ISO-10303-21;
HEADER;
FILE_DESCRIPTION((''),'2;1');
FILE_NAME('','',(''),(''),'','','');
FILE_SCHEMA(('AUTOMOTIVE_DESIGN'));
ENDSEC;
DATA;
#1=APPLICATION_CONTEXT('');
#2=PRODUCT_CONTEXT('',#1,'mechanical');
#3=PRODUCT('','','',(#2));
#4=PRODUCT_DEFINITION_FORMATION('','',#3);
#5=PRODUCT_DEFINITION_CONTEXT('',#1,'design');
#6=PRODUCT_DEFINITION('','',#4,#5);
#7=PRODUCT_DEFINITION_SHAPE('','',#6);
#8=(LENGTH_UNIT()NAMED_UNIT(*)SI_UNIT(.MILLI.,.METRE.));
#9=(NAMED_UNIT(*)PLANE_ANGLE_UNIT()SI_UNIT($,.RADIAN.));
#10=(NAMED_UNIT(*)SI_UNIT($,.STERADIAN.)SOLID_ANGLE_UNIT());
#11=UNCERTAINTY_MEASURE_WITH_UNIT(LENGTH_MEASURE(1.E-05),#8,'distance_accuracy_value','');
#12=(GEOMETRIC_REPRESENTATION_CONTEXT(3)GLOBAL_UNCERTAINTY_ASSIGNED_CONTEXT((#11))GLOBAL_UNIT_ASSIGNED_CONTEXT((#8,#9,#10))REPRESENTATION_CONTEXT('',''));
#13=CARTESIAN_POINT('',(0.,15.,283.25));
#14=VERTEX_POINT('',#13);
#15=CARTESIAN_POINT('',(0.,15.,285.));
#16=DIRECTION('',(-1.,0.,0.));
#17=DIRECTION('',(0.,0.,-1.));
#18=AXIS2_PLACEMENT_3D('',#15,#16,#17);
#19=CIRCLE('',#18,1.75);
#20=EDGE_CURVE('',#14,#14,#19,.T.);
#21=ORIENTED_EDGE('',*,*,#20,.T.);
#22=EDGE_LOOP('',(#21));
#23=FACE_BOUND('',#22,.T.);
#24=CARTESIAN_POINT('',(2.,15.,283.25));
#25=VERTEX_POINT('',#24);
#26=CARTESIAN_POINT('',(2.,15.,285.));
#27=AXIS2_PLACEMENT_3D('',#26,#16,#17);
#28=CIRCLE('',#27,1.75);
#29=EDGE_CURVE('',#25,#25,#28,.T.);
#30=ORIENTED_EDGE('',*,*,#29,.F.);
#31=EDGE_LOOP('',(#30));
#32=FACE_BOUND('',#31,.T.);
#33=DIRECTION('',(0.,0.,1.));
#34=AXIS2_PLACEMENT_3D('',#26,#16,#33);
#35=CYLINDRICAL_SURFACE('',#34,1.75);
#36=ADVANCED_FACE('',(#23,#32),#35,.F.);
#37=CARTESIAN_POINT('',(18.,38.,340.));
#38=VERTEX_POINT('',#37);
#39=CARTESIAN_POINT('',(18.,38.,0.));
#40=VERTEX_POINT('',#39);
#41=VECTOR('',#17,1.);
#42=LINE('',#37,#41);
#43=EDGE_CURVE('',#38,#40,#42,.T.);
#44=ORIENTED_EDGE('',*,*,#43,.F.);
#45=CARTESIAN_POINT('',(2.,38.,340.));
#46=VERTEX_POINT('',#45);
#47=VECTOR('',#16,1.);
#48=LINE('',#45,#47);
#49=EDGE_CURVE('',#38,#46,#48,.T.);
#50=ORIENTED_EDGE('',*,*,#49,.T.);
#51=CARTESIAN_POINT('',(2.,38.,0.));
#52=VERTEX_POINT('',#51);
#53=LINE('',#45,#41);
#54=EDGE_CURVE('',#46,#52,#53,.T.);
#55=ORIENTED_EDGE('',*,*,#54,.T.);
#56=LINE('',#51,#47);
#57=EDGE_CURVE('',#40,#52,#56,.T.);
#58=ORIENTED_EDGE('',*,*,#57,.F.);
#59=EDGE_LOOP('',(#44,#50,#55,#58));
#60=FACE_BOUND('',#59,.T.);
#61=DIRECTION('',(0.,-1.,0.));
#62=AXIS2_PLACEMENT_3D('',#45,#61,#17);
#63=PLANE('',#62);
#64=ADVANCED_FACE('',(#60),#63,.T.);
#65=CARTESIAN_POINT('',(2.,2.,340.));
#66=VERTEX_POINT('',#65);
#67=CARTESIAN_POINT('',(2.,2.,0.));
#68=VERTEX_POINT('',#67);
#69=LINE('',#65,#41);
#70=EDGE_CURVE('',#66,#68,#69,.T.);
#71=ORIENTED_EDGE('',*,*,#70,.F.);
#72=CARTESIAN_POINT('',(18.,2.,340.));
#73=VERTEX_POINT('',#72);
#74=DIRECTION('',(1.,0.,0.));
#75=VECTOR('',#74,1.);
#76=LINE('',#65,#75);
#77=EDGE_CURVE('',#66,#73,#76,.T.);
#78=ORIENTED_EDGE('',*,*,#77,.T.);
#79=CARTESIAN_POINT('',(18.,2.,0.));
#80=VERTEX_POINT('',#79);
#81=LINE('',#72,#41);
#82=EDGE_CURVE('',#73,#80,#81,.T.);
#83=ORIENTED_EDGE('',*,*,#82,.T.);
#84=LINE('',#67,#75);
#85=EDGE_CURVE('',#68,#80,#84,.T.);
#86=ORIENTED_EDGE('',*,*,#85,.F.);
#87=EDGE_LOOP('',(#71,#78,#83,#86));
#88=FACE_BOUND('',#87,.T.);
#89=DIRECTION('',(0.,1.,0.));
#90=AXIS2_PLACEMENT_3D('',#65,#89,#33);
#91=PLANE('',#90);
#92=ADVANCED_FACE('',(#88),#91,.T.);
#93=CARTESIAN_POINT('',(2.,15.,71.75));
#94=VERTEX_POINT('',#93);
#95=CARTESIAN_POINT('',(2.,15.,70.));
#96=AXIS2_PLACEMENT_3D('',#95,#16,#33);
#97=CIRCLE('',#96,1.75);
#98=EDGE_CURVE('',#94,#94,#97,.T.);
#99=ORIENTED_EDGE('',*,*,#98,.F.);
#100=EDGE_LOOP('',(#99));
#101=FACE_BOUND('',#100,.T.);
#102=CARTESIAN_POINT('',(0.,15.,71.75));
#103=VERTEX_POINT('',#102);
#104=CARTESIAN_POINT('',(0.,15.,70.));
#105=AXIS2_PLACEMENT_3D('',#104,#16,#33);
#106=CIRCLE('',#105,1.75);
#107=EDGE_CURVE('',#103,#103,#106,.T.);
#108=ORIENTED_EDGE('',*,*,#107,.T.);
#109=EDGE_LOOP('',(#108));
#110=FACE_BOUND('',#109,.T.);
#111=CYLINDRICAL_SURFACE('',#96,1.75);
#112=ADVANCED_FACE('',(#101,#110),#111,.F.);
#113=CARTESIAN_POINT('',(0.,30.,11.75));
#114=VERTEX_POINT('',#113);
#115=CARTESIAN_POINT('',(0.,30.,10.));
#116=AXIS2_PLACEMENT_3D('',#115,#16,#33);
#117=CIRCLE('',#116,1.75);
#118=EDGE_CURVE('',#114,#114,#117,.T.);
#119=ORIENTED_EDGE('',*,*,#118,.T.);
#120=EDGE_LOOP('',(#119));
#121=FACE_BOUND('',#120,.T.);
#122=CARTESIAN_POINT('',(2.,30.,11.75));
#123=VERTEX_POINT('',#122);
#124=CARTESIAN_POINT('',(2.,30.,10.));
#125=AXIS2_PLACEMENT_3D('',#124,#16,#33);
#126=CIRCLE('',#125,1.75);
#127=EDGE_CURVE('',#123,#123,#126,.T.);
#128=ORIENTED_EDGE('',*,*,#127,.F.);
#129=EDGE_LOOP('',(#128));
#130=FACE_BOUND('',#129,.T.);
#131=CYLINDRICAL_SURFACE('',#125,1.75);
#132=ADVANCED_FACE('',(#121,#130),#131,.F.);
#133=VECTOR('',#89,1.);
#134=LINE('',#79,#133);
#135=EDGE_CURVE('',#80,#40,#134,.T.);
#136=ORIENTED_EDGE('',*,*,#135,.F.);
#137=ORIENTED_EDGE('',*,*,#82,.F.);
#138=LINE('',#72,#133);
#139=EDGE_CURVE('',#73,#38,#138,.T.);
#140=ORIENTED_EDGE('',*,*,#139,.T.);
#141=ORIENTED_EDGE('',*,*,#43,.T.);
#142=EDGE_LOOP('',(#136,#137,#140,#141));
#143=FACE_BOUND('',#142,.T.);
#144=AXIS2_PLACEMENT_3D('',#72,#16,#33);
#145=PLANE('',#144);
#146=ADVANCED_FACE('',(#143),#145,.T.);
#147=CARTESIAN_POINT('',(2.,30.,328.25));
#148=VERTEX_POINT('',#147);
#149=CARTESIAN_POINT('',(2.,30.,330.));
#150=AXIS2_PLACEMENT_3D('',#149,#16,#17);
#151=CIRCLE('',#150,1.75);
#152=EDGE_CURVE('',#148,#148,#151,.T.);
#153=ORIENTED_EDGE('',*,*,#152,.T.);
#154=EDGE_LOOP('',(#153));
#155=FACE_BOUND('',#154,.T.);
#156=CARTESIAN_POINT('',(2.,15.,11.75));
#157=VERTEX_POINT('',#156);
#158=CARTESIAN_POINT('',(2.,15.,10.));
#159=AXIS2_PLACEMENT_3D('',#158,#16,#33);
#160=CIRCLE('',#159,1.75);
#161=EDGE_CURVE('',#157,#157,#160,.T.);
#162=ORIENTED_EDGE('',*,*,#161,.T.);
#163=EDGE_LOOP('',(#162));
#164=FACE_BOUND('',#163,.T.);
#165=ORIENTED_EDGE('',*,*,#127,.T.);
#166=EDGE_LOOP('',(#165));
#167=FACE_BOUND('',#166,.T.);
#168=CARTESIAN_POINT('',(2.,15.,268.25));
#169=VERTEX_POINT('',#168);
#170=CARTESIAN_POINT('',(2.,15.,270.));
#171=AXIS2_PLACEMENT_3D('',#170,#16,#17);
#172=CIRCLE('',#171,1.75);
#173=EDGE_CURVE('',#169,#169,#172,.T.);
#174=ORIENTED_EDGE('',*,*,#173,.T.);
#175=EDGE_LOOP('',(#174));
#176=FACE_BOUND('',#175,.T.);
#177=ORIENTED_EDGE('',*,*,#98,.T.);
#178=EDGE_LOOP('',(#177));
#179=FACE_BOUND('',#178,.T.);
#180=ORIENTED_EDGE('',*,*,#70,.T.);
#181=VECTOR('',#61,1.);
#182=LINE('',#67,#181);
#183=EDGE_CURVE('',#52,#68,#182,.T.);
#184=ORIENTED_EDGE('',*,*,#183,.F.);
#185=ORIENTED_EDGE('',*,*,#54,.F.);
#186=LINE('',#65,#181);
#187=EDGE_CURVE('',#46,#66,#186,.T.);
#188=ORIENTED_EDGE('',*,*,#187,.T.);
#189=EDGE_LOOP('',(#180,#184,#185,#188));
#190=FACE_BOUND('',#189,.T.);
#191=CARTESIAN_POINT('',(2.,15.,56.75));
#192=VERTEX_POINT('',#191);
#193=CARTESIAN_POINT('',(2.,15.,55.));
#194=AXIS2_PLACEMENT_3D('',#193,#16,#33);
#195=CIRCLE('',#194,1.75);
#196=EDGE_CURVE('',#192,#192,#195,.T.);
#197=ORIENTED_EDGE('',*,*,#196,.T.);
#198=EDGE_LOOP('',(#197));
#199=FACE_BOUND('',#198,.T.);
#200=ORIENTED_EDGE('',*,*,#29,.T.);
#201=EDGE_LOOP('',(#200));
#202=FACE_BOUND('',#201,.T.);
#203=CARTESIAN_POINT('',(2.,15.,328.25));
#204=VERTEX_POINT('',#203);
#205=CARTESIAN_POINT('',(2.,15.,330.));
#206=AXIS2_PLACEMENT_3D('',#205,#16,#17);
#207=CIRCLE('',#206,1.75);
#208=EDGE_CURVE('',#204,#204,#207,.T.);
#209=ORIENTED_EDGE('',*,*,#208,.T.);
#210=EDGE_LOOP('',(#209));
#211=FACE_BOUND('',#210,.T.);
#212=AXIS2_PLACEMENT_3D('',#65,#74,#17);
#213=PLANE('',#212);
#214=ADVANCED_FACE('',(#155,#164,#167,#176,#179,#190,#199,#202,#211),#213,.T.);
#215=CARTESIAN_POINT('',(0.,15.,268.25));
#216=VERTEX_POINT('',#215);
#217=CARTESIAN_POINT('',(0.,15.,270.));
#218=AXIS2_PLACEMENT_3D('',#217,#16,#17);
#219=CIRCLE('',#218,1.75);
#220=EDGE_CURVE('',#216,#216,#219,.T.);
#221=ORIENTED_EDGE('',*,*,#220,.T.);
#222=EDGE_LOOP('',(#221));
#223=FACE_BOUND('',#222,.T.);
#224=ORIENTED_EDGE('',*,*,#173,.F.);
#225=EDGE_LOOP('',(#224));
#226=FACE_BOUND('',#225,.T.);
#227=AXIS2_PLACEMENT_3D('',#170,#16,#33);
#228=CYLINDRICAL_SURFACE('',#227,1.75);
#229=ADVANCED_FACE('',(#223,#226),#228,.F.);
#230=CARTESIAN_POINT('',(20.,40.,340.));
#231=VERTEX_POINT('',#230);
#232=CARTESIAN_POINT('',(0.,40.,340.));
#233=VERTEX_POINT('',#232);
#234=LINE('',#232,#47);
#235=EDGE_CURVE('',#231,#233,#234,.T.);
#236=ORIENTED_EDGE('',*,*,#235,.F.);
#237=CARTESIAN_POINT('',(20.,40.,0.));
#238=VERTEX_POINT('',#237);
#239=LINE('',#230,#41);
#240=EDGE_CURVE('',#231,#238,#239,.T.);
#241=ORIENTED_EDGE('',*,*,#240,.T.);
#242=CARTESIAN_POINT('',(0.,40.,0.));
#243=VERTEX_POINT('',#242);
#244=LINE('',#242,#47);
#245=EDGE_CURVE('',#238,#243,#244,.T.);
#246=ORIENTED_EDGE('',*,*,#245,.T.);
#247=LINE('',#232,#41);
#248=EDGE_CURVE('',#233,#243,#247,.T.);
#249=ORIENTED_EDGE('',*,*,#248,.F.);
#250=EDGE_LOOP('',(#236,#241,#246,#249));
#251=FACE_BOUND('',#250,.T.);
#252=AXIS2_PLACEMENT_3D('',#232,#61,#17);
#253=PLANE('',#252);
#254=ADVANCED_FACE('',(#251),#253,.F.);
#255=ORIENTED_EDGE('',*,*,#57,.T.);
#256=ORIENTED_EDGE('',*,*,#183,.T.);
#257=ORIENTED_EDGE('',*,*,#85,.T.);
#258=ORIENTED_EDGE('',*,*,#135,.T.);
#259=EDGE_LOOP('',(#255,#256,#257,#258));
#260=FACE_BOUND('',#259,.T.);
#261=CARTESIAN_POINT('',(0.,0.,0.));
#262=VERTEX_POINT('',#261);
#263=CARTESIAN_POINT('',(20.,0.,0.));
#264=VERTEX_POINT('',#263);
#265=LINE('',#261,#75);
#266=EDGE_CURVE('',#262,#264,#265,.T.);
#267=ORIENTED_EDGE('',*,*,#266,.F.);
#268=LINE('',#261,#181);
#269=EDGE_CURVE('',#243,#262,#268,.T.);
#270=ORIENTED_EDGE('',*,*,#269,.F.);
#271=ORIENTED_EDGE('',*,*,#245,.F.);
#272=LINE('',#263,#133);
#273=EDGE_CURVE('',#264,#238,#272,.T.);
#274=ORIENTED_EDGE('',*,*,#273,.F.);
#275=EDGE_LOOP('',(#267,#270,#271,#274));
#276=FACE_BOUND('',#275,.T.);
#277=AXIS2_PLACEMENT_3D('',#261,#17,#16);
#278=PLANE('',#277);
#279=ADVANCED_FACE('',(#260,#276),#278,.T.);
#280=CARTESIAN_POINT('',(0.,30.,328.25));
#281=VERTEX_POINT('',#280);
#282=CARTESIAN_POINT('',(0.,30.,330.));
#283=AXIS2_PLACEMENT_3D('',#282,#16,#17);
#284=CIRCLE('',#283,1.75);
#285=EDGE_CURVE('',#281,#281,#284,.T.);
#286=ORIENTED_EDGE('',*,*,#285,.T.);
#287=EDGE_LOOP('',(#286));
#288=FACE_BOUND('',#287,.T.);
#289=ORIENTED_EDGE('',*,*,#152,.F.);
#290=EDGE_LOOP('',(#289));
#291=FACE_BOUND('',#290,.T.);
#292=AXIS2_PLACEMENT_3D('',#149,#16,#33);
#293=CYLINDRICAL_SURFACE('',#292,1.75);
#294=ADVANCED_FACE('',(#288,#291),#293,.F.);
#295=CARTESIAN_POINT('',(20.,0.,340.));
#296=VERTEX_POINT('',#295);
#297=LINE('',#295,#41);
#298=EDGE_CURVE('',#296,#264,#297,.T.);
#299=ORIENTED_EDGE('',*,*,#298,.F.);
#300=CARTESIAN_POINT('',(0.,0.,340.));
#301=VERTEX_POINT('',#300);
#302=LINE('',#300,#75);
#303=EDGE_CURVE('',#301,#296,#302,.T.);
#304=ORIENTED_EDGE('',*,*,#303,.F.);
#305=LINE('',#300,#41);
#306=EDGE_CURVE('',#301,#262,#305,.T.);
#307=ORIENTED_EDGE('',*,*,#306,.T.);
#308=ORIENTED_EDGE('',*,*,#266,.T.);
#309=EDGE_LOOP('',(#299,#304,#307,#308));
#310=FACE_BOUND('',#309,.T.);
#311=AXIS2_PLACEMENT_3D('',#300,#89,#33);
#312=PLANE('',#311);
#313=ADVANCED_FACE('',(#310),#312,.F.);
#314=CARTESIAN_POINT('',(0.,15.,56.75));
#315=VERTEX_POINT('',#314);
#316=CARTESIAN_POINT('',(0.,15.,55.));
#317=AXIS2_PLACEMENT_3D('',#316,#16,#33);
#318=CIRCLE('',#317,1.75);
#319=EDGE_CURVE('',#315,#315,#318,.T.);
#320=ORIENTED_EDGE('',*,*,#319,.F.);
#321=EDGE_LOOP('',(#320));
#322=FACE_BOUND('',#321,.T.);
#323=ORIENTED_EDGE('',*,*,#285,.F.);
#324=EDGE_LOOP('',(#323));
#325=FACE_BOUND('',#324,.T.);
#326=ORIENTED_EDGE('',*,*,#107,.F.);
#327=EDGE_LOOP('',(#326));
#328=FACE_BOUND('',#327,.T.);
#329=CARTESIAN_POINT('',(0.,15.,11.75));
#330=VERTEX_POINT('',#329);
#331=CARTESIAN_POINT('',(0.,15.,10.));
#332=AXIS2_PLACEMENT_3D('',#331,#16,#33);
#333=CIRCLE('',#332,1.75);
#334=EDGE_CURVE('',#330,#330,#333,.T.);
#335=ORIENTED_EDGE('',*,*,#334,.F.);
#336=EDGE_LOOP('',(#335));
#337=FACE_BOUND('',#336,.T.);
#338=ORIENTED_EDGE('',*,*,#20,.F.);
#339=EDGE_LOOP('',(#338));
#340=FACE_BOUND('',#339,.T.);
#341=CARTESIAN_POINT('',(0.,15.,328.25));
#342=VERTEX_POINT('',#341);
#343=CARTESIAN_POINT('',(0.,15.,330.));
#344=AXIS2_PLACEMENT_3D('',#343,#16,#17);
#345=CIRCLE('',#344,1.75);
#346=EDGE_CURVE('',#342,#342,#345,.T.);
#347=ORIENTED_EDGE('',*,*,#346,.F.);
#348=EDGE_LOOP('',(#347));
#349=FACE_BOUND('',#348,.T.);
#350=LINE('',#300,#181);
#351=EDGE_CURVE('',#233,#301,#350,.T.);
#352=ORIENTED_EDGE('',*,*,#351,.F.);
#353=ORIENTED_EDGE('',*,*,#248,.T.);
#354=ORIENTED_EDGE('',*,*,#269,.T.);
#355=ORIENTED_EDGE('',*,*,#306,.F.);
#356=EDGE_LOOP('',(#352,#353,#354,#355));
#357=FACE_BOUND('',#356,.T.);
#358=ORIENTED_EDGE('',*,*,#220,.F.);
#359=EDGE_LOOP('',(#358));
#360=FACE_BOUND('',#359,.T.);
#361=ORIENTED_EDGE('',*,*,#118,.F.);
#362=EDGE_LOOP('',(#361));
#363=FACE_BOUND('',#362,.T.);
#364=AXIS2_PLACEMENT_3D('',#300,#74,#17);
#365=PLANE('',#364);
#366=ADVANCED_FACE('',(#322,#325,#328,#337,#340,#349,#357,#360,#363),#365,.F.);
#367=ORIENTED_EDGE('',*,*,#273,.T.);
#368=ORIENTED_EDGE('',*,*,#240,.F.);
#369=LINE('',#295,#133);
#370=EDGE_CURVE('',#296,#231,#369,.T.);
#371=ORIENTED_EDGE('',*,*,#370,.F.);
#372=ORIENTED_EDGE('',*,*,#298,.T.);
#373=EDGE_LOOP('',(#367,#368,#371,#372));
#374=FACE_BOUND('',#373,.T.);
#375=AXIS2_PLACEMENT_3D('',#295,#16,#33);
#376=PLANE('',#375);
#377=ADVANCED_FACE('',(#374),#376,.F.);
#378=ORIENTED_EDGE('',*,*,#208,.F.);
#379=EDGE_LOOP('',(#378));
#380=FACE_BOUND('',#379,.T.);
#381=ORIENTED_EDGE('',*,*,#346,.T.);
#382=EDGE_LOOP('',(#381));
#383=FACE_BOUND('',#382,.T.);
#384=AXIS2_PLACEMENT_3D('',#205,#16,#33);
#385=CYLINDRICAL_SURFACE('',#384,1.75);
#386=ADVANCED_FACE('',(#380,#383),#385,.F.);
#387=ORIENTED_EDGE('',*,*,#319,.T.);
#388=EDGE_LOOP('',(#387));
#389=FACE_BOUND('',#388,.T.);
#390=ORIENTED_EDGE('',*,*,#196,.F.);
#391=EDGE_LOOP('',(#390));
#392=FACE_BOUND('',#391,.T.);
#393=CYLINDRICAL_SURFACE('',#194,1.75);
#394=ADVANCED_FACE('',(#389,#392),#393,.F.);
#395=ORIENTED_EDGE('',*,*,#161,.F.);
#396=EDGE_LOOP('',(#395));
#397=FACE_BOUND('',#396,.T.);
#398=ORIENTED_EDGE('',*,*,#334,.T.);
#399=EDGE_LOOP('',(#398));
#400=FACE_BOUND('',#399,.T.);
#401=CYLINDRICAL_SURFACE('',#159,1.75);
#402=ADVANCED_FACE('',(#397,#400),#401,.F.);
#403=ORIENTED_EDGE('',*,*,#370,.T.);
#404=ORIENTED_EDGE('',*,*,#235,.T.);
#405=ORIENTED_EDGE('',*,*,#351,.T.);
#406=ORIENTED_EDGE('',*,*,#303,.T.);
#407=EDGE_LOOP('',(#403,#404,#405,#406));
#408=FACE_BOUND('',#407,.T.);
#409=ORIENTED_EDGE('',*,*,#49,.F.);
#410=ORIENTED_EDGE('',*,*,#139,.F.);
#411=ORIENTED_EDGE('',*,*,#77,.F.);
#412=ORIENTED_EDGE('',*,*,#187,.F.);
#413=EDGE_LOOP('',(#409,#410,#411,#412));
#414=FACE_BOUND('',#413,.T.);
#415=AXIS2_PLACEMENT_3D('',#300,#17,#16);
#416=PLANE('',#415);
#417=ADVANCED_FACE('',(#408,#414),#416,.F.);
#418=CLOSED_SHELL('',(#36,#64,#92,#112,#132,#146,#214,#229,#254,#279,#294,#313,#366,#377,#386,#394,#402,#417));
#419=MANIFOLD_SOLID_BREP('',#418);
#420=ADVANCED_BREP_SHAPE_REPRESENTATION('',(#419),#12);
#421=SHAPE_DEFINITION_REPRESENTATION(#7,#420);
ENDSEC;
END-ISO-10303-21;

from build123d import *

# Parameters (mm, degrees)
ESBO_O1_W                = 20
ESBO_O1_H                = 40
ESBO_O1_W_2              = 16
ESBO_O1_H_2              = 36
RESSALTO_EXTRUS_O1_DEPTH = 340
ESBO_O2_R                = 1.75
CORTE_EXTRUS_O1_DEPTH    = 2


with BuildPart() as part:
    # Esboço1 → Ressalto-extrusão1 (new body)
    with BuildSketch(Plane.XY):
        with Locations((10, 20)):
            Rectangle(ESBO_O1_W, ESBO_O1_H)
        with Locations((10, 20)):
            Rectangle(ESBO_O1_W_2, ESBO_O1_H_2, mode=Mode.SUBTRACT)
    extrude(amount=RESSALTO_EXTRUS_O1_DEPTH)

    # Esboço2 → Corte-extrusão1 (cut)
    with BuildSketch(Plane.ZY):
        with Locations((10, 30)):
            Circle(ESBO_O2_R)
        with Locations((10, 15)):
            Circle(ESBO_O2_R)
        with Locations((70, 15)):
            Circle(ESBO_O2_R)
        with Locations((55, 15)):
            Circle(ESBO_O2_R)
        with Locations(Location((270, 15, 0), (0, 0, 180))):
            Circle(ESBO_O2_R)
        with Locations(Location((285, 15, 0), (0, 0, 180))):
            Circle(ESBO_O2_R)
        with Locations(Location((330, 15, 0), (0, 0, 180))):
            Circle(ESBO_O2_R)
        with Locations(Location((330, 30, 0), (0, 0, 180))):
            Circle(ESBO_O2_R)
    extrude(amount=-CORTE_EXTRUS_O1_DEPTH, mode=Mode.SUBTRACT)


solid = part.part
